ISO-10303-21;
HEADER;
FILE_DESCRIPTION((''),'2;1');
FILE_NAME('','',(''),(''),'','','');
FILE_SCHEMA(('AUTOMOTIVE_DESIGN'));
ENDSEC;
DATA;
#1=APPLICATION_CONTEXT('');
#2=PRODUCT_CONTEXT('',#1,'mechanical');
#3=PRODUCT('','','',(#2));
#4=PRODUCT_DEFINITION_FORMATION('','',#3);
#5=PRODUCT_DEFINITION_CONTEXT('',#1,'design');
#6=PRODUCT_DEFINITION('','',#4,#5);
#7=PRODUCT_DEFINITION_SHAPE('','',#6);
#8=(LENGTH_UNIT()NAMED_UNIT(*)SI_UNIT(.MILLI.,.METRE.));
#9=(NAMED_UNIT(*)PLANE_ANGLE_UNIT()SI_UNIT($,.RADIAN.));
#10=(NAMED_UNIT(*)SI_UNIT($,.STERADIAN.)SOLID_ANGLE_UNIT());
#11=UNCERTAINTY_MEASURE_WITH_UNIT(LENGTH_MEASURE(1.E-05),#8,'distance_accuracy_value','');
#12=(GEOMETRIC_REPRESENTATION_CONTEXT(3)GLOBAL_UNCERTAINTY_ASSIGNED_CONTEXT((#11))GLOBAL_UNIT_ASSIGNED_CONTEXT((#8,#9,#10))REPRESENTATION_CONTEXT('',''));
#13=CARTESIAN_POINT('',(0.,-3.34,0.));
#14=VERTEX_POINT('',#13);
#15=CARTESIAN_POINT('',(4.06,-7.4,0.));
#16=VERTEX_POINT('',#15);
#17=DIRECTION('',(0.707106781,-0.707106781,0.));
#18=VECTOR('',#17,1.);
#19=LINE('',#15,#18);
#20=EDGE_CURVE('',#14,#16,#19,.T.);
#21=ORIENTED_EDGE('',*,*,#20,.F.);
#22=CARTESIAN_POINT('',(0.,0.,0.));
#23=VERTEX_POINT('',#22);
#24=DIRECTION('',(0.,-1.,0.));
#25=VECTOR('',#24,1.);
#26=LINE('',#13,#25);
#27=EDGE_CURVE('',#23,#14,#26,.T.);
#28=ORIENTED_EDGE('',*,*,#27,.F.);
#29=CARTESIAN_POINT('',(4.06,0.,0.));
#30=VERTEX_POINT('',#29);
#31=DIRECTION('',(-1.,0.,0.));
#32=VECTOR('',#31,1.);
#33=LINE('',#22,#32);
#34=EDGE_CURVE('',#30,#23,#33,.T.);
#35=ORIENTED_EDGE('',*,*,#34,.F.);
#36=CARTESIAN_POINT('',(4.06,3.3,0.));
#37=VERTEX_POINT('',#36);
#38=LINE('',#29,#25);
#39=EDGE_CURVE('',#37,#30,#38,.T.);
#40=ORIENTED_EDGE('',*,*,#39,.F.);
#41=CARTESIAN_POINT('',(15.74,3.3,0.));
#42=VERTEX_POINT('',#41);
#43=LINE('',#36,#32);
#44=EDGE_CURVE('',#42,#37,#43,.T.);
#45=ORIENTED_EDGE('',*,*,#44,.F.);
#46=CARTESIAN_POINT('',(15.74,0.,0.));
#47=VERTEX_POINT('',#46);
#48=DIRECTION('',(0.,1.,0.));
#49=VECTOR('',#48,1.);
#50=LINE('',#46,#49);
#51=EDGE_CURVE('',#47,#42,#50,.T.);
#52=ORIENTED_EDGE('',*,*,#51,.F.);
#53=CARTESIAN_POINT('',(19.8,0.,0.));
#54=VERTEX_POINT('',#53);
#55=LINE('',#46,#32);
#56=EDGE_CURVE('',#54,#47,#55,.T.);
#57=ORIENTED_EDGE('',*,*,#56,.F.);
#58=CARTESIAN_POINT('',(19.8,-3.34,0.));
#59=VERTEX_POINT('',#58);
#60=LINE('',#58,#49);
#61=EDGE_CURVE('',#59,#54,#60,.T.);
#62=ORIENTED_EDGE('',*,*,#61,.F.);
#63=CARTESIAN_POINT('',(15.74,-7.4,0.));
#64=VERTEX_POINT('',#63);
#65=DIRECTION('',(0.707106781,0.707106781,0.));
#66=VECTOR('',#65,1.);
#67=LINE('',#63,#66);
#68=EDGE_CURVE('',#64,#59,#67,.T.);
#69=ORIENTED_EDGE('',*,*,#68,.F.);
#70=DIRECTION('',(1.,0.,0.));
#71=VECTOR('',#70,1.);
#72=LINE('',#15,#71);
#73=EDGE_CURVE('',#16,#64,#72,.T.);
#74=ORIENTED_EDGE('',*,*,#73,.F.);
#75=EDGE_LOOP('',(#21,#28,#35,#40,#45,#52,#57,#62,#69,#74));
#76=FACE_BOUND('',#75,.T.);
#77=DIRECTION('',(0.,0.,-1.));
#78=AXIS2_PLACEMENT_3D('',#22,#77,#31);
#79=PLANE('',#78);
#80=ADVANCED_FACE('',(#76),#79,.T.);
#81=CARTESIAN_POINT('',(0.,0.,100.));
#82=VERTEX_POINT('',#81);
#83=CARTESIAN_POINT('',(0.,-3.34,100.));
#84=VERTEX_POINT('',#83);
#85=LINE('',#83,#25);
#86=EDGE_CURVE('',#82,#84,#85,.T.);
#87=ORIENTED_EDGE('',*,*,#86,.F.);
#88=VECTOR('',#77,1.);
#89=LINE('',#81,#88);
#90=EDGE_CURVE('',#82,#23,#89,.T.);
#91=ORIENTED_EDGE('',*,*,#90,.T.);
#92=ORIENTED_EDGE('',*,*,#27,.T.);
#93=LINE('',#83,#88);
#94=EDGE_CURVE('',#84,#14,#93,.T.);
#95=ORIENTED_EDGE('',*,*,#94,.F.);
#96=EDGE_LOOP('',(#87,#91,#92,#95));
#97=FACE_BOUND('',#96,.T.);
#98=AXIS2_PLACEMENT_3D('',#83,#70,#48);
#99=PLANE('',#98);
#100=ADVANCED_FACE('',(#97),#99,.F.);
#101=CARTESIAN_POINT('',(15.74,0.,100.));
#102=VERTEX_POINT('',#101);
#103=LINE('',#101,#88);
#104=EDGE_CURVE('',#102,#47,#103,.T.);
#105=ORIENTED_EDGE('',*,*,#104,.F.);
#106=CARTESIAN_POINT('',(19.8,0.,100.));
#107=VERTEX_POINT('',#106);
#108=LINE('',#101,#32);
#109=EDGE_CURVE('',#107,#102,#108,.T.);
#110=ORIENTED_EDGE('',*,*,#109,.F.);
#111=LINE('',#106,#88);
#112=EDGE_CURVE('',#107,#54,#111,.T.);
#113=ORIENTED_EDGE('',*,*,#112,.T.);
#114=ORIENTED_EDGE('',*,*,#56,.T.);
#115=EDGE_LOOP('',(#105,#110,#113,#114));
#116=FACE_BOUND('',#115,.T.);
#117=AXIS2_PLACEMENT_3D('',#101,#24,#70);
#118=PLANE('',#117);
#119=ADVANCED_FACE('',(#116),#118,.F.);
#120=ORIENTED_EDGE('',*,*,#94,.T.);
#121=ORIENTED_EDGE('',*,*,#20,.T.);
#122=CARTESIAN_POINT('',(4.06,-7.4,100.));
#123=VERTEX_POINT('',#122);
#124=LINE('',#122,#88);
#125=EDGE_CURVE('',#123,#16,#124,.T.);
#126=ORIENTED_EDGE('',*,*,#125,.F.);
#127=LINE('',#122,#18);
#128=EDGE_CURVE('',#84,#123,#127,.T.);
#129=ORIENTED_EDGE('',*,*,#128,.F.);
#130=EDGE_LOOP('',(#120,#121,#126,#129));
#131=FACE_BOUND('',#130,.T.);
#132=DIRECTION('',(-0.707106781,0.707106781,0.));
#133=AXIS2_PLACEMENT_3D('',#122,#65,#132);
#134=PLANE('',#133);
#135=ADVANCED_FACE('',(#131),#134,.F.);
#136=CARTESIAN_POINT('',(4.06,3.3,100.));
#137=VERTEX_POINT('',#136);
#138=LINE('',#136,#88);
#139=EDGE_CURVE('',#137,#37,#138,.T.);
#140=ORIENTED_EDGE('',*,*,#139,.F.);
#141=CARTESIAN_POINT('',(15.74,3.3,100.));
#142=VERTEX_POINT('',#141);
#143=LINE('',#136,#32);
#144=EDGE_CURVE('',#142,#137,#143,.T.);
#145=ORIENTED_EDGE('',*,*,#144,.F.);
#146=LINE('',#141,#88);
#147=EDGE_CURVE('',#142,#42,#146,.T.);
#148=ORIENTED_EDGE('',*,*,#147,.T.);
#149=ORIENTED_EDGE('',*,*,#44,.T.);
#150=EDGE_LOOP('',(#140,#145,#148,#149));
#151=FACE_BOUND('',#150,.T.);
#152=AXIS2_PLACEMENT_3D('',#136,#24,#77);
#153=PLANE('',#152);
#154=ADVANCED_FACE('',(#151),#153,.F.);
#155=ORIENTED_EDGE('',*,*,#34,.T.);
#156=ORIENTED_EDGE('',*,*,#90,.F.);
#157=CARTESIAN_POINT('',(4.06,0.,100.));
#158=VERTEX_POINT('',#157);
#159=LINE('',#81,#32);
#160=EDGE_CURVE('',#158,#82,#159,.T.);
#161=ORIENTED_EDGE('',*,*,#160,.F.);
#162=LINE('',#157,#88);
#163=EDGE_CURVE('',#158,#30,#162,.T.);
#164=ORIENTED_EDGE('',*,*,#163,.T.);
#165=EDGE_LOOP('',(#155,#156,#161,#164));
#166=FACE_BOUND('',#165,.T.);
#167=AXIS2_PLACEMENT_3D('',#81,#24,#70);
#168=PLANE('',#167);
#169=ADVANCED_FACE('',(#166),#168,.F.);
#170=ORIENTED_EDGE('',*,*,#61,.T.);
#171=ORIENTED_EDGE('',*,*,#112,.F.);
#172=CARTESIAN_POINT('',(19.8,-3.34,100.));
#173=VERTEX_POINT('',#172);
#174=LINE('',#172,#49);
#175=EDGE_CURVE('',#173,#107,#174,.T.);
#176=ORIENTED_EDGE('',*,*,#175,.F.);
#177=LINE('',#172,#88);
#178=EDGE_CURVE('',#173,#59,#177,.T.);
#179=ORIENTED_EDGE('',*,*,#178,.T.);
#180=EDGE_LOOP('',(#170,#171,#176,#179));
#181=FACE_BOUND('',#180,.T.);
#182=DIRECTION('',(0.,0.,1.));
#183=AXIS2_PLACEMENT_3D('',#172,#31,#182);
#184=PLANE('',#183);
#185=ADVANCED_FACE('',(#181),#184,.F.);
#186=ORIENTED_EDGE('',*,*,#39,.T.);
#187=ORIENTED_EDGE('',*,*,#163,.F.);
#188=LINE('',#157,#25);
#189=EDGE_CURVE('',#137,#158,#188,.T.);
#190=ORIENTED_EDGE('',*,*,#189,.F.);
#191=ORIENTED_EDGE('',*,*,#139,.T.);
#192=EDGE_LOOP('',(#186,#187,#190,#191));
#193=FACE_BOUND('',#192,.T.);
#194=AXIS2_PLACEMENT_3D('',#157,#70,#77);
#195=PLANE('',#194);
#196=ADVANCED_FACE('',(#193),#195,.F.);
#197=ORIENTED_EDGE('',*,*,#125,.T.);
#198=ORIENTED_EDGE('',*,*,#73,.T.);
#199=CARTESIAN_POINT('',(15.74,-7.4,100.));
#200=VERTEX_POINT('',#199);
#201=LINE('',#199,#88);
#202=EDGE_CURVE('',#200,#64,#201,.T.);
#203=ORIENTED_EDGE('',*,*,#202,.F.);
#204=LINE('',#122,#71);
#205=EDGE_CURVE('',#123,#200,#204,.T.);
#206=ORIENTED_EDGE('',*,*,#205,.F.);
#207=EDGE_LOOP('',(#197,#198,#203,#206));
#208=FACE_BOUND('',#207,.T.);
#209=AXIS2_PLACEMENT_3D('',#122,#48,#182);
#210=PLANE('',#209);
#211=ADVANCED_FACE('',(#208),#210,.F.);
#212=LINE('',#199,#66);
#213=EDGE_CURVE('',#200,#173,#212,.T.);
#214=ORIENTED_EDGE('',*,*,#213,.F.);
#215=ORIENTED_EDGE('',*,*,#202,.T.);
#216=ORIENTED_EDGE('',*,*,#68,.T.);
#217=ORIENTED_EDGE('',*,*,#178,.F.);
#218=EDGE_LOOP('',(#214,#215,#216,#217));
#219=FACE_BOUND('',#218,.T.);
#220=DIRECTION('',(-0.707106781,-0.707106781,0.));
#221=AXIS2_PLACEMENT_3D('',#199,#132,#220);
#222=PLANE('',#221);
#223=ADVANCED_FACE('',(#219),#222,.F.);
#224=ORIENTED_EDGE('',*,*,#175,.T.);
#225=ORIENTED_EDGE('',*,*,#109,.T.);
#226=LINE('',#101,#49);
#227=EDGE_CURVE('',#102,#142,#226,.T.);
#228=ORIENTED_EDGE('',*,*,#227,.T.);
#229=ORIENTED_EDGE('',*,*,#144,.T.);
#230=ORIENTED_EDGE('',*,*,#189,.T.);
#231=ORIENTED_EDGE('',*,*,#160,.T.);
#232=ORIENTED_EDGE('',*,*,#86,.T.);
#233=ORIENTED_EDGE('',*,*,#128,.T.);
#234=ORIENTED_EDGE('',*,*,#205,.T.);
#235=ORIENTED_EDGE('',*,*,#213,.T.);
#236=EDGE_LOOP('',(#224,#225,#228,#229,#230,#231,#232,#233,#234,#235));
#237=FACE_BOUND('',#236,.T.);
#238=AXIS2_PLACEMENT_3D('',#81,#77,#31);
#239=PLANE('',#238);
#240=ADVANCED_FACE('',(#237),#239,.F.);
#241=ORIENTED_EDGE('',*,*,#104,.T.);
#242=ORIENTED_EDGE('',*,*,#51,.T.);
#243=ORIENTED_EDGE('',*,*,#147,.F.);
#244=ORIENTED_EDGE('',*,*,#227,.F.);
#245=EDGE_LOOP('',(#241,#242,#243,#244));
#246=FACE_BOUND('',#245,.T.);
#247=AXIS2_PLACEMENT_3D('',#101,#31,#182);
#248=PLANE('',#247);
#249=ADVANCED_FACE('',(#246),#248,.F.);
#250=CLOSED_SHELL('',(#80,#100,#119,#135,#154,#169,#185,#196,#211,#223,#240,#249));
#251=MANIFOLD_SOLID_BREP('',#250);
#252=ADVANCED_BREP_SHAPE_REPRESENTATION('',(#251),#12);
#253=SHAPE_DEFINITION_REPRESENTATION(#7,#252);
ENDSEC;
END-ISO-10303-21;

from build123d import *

# Parameters (mm, degrees)
EXTRUDE_1_DEPTH = 100


with BuildPart() as part:
    # 草图1 → 凸台-拉伸1 (new body)
    with BuildSketch(Plane.XY):
        Polygon((4.06, -7.4), (15.74, -7.4), (19.8, -3.34), (19.8, 0), (15.74, 0), (15.74, 3.3), (4.06, 3.3), (4.06, 0), (0, 0), (0, -3.34), align=None)
    extrude(amount=EXTRUDE_1_DEPTH)


solid = part.part
